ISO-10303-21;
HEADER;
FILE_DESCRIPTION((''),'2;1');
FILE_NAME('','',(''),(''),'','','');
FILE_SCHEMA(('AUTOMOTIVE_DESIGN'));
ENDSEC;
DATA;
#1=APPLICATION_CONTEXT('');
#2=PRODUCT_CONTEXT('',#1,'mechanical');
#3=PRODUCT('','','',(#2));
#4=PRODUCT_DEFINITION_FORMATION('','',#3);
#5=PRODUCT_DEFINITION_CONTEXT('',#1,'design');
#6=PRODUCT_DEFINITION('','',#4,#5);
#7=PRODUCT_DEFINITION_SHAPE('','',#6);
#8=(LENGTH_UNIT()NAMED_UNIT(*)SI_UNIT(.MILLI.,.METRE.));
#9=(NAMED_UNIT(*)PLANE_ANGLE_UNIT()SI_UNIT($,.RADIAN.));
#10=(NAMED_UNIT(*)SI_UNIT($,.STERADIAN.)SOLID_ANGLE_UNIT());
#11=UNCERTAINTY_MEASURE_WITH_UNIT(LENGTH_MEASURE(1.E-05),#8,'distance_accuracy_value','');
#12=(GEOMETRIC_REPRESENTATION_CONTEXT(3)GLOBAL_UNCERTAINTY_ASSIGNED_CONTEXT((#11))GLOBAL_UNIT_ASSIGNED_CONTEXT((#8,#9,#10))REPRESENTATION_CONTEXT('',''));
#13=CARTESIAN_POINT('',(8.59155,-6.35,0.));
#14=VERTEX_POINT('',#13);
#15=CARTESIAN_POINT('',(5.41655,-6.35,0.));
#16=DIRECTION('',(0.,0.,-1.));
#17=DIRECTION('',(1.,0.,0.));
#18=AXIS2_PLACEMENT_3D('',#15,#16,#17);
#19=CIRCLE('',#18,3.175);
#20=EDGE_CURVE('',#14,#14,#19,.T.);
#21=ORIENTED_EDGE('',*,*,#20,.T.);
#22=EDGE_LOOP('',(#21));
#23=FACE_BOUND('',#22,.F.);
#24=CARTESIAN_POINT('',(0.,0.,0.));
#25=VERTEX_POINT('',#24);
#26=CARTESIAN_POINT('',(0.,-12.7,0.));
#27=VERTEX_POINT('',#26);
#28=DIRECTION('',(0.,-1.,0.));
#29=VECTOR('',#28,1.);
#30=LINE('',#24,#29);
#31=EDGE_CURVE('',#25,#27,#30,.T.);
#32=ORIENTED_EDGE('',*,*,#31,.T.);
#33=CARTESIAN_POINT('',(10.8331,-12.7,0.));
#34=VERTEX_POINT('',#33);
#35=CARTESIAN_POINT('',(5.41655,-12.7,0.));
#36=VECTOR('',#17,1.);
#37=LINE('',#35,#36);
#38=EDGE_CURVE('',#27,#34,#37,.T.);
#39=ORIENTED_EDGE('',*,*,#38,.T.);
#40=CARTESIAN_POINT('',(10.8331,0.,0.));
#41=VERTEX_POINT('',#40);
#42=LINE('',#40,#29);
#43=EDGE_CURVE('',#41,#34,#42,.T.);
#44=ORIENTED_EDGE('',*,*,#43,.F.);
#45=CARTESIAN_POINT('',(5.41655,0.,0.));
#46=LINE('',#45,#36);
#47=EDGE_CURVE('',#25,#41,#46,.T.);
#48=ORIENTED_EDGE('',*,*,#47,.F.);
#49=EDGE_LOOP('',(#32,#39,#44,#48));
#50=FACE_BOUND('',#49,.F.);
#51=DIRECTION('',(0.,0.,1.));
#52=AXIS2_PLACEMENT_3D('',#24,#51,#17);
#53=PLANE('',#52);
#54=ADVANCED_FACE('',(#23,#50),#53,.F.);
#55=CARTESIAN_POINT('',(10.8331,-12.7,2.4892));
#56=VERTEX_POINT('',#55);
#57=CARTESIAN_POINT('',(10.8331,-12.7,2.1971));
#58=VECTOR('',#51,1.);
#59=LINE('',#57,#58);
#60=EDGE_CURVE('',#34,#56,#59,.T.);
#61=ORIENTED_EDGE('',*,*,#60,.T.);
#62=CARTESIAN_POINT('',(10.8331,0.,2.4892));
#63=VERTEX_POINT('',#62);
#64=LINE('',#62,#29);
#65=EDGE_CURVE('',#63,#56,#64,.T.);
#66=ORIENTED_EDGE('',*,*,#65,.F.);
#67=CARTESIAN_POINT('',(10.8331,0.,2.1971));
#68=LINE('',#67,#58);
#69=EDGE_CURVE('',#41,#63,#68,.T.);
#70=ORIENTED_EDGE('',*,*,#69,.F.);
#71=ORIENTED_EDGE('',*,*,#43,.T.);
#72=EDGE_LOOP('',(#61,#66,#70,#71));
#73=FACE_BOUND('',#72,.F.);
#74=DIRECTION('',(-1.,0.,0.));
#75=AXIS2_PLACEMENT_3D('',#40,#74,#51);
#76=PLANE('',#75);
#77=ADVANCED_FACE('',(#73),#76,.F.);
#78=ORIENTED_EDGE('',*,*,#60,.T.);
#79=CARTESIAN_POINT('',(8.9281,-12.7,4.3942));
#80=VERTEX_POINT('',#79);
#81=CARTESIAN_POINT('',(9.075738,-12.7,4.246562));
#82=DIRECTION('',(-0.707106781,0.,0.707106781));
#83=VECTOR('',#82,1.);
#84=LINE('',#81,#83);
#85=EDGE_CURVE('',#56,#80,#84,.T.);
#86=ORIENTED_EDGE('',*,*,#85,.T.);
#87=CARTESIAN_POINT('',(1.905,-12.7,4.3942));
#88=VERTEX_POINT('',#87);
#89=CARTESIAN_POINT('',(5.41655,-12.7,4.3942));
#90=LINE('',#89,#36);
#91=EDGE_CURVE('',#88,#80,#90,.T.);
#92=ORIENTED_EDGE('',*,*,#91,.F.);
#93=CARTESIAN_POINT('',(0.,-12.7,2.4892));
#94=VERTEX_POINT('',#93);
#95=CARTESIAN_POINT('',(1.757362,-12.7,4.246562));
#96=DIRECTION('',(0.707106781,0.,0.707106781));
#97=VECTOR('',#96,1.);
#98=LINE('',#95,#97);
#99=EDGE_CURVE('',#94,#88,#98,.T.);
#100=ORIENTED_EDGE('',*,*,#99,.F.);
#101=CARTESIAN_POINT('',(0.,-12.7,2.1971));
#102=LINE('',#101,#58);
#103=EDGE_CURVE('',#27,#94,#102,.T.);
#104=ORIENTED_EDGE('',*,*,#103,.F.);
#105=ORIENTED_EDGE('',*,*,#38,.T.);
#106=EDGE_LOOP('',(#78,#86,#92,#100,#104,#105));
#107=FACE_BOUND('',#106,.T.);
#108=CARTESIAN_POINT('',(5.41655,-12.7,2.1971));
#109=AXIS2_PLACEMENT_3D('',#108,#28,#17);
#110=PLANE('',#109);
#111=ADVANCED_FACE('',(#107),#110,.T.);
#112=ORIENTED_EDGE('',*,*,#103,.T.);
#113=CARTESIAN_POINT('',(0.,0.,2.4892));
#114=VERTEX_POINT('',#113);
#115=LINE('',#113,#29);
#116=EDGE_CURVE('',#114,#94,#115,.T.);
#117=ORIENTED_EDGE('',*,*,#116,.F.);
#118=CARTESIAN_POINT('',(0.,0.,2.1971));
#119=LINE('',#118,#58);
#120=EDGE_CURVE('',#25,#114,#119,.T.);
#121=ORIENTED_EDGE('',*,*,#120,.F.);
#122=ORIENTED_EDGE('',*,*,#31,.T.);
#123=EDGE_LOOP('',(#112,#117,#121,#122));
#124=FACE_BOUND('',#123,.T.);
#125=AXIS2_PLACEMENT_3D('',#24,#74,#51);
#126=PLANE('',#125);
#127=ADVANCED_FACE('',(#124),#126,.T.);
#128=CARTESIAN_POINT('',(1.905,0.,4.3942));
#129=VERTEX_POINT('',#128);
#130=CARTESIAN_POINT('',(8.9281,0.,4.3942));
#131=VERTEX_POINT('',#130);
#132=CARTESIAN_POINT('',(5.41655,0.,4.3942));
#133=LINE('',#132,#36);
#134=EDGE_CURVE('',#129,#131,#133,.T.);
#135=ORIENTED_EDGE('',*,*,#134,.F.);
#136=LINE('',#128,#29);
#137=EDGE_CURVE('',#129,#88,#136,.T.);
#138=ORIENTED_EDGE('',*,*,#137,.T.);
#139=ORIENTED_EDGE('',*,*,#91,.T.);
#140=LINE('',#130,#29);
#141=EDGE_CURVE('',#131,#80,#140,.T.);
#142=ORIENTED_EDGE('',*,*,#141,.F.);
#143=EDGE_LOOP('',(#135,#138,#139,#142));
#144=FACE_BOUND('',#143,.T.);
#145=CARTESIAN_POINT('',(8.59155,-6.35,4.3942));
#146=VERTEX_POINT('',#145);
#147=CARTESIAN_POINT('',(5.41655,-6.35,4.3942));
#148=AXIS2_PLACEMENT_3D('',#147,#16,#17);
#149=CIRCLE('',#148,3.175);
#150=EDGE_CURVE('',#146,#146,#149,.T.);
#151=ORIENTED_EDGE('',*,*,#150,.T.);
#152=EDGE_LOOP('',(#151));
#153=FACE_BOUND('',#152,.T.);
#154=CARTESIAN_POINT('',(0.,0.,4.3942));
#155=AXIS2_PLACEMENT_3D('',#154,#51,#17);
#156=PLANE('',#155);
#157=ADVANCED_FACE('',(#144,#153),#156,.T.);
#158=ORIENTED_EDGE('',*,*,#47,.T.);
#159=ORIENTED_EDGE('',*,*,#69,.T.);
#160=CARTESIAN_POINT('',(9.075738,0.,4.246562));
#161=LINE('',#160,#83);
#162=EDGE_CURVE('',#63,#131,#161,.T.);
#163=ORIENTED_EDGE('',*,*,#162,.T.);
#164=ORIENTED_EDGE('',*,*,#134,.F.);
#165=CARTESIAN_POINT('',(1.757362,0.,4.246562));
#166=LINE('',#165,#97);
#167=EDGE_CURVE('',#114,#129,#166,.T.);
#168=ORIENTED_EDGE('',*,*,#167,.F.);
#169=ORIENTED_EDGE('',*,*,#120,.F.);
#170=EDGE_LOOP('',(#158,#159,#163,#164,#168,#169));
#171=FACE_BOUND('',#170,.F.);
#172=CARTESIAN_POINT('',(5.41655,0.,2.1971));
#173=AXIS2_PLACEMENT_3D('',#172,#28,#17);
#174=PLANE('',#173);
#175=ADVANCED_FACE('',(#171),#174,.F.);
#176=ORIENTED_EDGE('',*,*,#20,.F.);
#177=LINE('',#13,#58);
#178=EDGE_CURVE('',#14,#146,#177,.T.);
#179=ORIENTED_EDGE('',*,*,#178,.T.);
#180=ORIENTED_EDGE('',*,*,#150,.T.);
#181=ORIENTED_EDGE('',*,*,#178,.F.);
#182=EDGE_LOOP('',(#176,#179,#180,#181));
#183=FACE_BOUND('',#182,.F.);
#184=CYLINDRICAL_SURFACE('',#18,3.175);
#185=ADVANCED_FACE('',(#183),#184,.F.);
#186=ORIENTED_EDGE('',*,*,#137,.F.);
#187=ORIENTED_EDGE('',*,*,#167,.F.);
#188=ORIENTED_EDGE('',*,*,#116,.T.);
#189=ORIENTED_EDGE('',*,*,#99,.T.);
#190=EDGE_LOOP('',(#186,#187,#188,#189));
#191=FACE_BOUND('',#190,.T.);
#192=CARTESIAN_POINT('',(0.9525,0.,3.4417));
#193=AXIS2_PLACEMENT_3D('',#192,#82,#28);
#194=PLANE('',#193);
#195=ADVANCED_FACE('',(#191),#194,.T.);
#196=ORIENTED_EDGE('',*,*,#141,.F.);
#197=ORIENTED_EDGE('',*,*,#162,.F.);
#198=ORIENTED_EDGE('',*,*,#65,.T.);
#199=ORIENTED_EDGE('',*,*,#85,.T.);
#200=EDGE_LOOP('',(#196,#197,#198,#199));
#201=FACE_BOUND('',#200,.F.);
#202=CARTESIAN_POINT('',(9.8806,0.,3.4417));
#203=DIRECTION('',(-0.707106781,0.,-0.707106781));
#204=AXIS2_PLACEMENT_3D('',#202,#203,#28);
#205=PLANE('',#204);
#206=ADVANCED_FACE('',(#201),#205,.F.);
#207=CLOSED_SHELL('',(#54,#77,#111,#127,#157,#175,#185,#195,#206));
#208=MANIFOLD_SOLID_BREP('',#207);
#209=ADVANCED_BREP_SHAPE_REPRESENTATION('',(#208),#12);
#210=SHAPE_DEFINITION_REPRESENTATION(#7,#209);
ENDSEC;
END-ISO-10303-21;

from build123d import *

# Parameters (mm, degrees)
F0_W     = 10.8331
F0_H     = 4.3942
F1_DEPTH = 12.7
F2_SIZE  = 1.905
F3_R     = 3.175
F4_DEPTH = 25.4


with BuildPart() as f1:
    # F0 (on Front) → F1 (new body)
    with BuildSketch(Plane.XZ):
        with Locations((5.41655, 2.1971)):
            Rectangle(F0_W, F0_H)
    extrude(amount=F1_DEPTH)

    # F2
    f2_edges = [f1.edges().sort_by_distance(p)[0] for p in [
        (10.8331, -6.35, 4.3942),
        (0, -6.35, 4.3942),
    ]]
    chamfer(f2_edges, length=F2_SIZE)

    # F3 (on face) → F4 (cut)
    with BuildSketch(Plane(origin=(0, 0, 0), x_dir=(1, 0, 0), z_dir=(0, 0, -1))):
        with Locations((5.41655, 6.35)):
            Circle(F3_R)
    extrude(amount=-F4_DEPTH, mode=Mode.SUBTRACT)


solid = f1.part
